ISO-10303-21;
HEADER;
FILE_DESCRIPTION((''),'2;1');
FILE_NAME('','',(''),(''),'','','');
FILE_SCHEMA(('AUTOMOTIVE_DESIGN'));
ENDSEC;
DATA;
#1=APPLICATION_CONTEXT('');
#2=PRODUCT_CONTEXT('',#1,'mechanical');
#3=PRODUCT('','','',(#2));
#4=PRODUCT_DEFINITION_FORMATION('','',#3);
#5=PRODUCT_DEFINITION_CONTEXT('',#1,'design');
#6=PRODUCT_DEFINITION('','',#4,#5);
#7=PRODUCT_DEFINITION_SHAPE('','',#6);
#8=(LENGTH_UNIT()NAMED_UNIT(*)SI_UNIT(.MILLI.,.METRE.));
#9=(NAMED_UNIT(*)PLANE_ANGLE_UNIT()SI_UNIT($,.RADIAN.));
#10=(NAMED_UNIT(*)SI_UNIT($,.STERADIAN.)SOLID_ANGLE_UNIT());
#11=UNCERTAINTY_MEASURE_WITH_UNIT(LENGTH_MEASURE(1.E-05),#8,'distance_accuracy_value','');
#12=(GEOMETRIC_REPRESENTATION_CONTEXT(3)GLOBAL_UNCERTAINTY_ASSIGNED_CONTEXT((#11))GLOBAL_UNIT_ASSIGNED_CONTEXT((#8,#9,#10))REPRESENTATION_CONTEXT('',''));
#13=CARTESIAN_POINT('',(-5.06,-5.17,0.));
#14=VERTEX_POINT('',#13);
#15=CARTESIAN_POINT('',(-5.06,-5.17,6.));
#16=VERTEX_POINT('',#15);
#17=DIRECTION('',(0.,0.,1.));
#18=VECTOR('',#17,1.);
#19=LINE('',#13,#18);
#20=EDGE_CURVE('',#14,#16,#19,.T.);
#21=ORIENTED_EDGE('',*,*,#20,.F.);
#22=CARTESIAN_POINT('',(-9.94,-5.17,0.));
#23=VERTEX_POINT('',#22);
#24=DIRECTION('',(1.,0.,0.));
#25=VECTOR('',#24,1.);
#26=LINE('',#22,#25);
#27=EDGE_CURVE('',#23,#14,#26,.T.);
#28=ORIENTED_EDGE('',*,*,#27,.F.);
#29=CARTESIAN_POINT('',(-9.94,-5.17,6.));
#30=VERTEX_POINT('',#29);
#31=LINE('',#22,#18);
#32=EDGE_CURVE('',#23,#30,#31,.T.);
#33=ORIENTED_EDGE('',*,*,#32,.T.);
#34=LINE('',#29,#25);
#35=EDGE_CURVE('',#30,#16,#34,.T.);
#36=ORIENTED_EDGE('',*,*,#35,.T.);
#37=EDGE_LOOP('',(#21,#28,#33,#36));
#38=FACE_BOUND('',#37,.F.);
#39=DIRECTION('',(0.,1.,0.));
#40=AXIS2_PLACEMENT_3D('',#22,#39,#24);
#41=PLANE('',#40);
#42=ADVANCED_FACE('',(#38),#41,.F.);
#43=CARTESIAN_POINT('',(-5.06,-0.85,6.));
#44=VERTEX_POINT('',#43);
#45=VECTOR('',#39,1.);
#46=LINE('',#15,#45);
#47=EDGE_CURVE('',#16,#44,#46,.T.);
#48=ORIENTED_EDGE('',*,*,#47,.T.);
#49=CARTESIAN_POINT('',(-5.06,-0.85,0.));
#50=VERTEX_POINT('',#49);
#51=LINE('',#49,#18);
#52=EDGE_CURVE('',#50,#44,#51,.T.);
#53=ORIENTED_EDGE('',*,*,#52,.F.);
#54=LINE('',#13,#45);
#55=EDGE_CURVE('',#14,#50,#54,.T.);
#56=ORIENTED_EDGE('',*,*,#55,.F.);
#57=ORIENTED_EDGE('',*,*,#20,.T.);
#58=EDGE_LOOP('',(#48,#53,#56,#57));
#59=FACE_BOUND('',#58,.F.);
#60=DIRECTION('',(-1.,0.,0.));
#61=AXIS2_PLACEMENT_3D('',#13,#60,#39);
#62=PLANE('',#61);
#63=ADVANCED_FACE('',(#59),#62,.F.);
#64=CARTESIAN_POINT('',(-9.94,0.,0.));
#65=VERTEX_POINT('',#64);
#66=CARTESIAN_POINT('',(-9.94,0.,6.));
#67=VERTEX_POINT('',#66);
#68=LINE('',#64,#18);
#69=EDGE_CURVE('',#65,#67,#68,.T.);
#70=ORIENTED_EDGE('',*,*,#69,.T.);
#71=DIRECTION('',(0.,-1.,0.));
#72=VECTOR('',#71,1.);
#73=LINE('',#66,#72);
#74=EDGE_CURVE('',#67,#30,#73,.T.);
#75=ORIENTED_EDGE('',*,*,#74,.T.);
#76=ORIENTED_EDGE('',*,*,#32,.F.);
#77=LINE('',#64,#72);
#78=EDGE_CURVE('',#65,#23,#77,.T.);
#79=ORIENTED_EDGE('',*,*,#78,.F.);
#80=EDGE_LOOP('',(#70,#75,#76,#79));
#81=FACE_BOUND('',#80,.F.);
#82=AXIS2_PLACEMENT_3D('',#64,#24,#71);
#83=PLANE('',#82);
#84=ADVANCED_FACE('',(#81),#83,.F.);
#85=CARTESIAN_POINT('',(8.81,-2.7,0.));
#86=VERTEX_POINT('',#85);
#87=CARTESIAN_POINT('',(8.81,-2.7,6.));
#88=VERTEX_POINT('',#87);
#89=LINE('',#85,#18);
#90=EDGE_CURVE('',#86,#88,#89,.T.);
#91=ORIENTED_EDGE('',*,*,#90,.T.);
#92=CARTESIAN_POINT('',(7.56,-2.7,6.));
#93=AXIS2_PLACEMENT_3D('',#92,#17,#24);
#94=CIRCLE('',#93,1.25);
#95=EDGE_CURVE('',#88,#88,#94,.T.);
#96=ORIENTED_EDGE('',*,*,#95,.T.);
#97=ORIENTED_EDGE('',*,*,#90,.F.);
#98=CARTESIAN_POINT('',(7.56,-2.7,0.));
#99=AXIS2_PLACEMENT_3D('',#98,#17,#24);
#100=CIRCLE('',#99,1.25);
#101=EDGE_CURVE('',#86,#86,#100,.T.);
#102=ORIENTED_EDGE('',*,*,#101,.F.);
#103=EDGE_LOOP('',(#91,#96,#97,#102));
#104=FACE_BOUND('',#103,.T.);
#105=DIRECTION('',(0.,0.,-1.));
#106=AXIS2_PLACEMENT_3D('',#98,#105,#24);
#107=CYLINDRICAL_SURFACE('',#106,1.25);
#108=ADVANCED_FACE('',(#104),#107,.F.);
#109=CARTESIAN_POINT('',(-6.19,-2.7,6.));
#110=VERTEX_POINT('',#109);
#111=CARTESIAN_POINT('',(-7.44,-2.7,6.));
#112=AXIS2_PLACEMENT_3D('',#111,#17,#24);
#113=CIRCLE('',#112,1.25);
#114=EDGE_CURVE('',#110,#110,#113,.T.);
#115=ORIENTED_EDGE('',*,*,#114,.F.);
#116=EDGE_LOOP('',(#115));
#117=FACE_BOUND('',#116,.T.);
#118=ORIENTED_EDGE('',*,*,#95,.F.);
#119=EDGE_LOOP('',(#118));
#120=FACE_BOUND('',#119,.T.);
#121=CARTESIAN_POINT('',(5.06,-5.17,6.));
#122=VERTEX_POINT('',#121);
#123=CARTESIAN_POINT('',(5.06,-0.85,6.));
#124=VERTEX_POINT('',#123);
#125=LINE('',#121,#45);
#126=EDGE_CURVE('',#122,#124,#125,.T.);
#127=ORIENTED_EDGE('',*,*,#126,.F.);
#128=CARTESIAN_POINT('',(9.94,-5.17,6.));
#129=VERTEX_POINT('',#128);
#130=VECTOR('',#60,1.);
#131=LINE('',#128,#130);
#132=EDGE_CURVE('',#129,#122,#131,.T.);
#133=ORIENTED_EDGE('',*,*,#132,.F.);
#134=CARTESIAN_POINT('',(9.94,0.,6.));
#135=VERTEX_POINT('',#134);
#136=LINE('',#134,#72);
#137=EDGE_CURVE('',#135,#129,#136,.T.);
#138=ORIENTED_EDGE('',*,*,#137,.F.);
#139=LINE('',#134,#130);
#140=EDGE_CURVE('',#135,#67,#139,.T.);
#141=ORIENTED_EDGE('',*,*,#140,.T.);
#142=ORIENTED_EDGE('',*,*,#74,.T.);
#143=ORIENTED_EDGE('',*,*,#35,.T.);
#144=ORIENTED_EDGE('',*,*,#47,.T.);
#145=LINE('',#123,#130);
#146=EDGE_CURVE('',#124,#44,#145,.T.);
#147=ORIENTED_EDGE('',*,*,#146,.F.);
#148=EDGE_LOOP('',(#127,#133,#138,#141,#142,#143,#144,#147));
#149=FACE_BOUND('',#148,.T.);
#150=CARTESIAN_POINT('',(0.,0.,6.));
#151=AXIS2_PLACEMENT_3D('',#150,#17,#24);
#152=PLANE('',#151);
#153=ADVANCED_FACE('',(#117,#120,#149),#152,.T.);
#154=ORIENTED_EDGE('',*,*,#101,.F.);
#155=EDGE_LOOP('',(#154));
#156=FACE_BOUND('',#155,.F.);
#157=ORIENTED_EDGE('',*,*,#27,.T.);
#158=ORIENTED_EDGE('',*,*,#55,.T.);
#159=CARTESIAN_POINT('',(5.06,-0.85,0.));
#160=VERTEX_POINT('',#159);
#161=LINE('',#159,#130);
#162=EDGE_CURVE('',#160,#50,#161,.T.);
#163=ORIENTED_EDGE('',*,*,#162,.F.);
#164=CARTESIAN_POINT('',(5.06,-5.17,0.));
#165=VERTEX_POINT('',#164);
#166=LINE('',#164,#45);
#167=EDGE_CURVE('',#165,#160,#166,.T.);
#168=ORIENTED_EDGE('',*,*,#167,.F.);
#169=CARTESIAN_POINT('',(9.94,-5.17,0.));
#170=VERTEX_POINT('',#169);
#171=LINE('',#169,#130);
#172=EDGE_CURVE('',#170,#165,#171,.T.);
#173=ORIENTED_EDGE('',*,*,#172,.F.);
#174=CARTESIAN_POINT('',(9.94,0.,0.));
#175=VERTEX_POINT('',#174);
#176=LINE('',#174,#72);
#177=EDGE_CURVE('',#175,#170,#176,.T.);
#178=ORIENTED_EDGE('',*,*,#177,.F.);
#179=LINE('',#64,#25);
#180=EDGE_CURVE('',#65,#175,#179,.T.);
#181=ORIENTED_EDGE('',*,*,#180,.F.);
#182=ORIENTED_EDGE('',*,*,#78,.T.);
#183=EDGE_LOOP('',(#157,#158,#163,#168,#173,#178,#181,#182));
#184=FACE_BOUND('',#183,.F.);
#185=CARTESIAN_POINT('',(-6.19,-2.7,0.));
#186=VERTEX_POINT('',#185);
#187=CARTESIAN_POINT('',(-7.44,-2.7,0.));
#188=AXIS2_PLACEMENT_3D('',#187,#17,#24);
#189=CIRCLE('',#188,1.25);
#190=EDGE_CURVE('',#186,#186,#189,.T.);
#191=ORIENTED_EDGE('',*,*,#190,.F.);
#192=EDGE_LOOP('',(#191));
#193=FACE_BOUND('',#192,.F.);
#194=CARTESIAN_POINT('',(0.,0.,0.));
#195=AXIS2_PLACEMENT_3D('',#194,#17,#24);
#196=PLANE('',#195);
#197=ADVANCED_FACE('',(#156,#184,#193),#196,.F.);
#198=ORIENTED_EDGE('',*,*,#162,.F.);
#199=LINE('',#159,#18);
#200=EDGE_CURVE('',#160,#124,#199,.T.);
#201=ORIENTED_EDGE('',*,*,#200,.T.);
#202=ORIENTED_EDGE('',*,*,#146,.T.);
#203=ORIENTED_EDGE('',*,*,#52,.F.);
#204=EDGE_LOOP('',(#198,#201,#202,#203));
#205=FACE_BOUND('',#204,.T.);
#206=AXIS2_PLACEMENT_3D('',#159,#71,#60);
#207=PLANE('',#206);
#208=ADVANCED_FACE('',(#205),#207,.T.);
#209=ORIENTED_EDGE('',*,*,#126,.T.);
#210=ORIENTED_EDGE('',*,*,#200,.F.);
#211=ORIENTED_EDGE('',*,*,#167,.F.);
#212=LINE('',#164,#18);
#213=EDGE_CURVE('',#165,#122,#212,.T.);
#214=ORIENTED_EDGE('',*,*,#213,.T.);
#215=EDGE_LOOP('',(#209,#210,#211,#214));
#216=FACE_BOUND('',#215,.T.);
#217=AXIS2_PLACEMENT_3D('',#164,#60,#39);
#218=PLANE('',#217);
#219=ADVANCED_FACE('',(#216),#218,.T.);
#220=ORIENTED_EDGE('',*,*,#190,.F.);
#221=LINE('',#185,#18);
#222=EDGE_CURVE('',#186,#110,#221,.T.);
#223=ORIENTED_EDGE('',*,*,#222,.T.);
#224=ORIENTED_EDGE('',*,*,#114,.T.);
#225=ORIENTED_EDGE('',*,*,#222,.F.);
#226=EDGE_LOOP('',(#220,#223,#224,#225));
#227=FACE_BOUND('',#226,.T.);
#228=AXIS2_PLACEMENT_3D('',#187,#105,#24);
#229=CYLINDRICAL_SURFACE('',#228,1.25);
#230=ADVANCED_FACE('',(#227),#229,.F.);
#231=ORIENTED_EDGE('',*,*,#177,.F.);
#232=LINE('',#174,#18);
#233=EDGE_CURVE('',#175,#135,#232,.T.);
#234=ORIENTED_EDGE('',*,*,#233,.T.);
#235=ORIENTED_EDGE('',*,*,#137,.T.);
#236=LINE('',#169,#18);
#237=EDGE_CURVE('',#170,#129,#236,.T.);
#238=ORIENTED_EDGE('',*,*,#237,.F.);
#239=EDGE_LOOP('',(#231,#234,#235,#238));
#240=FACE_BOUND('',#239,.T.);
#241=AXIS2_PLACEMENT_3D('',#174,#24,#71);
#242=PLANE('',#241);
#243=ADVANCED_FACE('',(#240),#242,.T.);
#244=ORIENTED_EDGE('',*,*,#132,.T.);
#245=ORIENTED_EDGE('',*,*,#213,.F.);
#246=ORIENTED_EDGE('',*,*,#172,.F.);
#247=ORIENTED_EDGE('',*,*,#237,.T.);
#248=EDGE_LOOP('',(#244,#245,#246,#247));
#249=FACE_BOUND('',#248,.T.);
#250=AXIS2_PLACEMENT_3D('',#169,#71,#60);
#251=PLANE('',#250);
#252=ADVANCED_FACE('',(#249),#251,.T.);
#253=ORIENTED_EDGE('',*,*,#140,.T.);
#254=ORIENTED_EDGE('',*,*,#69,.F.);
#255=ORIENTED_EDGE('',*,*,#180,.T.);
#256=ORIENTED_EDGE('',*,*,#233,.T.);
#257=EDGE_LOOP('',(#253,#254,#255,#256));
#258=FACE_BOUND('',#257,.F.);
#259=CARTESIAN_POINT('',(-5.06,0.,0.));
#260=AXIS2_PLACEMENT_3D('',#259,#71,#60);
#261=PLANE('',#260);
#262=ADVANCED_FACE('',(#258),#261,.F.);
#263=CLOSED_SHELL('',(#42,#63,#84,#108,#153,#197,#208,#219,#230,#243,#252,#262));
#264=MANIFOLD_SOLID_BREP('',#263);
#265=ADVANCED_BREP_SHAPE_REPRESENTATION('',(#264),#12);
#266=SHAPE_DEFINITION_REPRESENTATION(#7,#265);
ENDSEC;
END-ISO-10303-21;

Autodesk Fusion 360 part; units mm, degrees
sketch "Sketch1" plane through (0, 0, 0) normal (0, 0, 1) x (1, 0, 0)
  line L0 (-5.06, 0) -> (-9.94, 0)
  line L1 (-9.94, 0) -> (-9.94, -5.17)
  line L2 (-9.94, -5.17) -> (-5.06, -5.17)
  line L3 (-5.06, -5.17) -> (-5.06, 0)
  line L4 (-9.94, 0) -> (5.06, 0)
  line L5 (5.06, 0) -> (9.94, 0)
  line L6 (9.94, 0) -> (9.94, -5.17)
  line L7 (9.94, -5.17) -> (5.06, -5.17)
  line L8 (5.06, -5.17) -> (5.06, 0)
  line L9 (-5.06, 0) -> (5.06, 0)
  line L10 (5.06, 0) -> (5.06, -0.85)
  line L11 (5.06, -0.85) -> (-5.06, -0.85)
  line L12 (-5.06, -0.85) -> (-5.06, 0)
  circle A0 centre (7.56, -2.7) radius 1.25
  circle A1 centre (-7.44, -2.7) radius 1.25
  line L13 (-7.44, -2.7) -> (-5.06, -2.7) construction
  line L14 (-7.44, -2.7) -> (-7.44, 0) construction
  line L15 (7.56, -2.7) -> (7.56, 0) construction
  line L16 (7.56, -2.7) -> (9.94, -2.7) construction
  dimension "d1" = 4.88
  dimension "d2" = 5.17
  dimension "d4" = 0.85
  dimension "d5" = 2.5
  dimension "d6" = 2.7
  dimension "d7" = 2.5
  dimension "d10" = 15
extrude "Extrude1" add sketch "Sketch1" along normal blind 6
